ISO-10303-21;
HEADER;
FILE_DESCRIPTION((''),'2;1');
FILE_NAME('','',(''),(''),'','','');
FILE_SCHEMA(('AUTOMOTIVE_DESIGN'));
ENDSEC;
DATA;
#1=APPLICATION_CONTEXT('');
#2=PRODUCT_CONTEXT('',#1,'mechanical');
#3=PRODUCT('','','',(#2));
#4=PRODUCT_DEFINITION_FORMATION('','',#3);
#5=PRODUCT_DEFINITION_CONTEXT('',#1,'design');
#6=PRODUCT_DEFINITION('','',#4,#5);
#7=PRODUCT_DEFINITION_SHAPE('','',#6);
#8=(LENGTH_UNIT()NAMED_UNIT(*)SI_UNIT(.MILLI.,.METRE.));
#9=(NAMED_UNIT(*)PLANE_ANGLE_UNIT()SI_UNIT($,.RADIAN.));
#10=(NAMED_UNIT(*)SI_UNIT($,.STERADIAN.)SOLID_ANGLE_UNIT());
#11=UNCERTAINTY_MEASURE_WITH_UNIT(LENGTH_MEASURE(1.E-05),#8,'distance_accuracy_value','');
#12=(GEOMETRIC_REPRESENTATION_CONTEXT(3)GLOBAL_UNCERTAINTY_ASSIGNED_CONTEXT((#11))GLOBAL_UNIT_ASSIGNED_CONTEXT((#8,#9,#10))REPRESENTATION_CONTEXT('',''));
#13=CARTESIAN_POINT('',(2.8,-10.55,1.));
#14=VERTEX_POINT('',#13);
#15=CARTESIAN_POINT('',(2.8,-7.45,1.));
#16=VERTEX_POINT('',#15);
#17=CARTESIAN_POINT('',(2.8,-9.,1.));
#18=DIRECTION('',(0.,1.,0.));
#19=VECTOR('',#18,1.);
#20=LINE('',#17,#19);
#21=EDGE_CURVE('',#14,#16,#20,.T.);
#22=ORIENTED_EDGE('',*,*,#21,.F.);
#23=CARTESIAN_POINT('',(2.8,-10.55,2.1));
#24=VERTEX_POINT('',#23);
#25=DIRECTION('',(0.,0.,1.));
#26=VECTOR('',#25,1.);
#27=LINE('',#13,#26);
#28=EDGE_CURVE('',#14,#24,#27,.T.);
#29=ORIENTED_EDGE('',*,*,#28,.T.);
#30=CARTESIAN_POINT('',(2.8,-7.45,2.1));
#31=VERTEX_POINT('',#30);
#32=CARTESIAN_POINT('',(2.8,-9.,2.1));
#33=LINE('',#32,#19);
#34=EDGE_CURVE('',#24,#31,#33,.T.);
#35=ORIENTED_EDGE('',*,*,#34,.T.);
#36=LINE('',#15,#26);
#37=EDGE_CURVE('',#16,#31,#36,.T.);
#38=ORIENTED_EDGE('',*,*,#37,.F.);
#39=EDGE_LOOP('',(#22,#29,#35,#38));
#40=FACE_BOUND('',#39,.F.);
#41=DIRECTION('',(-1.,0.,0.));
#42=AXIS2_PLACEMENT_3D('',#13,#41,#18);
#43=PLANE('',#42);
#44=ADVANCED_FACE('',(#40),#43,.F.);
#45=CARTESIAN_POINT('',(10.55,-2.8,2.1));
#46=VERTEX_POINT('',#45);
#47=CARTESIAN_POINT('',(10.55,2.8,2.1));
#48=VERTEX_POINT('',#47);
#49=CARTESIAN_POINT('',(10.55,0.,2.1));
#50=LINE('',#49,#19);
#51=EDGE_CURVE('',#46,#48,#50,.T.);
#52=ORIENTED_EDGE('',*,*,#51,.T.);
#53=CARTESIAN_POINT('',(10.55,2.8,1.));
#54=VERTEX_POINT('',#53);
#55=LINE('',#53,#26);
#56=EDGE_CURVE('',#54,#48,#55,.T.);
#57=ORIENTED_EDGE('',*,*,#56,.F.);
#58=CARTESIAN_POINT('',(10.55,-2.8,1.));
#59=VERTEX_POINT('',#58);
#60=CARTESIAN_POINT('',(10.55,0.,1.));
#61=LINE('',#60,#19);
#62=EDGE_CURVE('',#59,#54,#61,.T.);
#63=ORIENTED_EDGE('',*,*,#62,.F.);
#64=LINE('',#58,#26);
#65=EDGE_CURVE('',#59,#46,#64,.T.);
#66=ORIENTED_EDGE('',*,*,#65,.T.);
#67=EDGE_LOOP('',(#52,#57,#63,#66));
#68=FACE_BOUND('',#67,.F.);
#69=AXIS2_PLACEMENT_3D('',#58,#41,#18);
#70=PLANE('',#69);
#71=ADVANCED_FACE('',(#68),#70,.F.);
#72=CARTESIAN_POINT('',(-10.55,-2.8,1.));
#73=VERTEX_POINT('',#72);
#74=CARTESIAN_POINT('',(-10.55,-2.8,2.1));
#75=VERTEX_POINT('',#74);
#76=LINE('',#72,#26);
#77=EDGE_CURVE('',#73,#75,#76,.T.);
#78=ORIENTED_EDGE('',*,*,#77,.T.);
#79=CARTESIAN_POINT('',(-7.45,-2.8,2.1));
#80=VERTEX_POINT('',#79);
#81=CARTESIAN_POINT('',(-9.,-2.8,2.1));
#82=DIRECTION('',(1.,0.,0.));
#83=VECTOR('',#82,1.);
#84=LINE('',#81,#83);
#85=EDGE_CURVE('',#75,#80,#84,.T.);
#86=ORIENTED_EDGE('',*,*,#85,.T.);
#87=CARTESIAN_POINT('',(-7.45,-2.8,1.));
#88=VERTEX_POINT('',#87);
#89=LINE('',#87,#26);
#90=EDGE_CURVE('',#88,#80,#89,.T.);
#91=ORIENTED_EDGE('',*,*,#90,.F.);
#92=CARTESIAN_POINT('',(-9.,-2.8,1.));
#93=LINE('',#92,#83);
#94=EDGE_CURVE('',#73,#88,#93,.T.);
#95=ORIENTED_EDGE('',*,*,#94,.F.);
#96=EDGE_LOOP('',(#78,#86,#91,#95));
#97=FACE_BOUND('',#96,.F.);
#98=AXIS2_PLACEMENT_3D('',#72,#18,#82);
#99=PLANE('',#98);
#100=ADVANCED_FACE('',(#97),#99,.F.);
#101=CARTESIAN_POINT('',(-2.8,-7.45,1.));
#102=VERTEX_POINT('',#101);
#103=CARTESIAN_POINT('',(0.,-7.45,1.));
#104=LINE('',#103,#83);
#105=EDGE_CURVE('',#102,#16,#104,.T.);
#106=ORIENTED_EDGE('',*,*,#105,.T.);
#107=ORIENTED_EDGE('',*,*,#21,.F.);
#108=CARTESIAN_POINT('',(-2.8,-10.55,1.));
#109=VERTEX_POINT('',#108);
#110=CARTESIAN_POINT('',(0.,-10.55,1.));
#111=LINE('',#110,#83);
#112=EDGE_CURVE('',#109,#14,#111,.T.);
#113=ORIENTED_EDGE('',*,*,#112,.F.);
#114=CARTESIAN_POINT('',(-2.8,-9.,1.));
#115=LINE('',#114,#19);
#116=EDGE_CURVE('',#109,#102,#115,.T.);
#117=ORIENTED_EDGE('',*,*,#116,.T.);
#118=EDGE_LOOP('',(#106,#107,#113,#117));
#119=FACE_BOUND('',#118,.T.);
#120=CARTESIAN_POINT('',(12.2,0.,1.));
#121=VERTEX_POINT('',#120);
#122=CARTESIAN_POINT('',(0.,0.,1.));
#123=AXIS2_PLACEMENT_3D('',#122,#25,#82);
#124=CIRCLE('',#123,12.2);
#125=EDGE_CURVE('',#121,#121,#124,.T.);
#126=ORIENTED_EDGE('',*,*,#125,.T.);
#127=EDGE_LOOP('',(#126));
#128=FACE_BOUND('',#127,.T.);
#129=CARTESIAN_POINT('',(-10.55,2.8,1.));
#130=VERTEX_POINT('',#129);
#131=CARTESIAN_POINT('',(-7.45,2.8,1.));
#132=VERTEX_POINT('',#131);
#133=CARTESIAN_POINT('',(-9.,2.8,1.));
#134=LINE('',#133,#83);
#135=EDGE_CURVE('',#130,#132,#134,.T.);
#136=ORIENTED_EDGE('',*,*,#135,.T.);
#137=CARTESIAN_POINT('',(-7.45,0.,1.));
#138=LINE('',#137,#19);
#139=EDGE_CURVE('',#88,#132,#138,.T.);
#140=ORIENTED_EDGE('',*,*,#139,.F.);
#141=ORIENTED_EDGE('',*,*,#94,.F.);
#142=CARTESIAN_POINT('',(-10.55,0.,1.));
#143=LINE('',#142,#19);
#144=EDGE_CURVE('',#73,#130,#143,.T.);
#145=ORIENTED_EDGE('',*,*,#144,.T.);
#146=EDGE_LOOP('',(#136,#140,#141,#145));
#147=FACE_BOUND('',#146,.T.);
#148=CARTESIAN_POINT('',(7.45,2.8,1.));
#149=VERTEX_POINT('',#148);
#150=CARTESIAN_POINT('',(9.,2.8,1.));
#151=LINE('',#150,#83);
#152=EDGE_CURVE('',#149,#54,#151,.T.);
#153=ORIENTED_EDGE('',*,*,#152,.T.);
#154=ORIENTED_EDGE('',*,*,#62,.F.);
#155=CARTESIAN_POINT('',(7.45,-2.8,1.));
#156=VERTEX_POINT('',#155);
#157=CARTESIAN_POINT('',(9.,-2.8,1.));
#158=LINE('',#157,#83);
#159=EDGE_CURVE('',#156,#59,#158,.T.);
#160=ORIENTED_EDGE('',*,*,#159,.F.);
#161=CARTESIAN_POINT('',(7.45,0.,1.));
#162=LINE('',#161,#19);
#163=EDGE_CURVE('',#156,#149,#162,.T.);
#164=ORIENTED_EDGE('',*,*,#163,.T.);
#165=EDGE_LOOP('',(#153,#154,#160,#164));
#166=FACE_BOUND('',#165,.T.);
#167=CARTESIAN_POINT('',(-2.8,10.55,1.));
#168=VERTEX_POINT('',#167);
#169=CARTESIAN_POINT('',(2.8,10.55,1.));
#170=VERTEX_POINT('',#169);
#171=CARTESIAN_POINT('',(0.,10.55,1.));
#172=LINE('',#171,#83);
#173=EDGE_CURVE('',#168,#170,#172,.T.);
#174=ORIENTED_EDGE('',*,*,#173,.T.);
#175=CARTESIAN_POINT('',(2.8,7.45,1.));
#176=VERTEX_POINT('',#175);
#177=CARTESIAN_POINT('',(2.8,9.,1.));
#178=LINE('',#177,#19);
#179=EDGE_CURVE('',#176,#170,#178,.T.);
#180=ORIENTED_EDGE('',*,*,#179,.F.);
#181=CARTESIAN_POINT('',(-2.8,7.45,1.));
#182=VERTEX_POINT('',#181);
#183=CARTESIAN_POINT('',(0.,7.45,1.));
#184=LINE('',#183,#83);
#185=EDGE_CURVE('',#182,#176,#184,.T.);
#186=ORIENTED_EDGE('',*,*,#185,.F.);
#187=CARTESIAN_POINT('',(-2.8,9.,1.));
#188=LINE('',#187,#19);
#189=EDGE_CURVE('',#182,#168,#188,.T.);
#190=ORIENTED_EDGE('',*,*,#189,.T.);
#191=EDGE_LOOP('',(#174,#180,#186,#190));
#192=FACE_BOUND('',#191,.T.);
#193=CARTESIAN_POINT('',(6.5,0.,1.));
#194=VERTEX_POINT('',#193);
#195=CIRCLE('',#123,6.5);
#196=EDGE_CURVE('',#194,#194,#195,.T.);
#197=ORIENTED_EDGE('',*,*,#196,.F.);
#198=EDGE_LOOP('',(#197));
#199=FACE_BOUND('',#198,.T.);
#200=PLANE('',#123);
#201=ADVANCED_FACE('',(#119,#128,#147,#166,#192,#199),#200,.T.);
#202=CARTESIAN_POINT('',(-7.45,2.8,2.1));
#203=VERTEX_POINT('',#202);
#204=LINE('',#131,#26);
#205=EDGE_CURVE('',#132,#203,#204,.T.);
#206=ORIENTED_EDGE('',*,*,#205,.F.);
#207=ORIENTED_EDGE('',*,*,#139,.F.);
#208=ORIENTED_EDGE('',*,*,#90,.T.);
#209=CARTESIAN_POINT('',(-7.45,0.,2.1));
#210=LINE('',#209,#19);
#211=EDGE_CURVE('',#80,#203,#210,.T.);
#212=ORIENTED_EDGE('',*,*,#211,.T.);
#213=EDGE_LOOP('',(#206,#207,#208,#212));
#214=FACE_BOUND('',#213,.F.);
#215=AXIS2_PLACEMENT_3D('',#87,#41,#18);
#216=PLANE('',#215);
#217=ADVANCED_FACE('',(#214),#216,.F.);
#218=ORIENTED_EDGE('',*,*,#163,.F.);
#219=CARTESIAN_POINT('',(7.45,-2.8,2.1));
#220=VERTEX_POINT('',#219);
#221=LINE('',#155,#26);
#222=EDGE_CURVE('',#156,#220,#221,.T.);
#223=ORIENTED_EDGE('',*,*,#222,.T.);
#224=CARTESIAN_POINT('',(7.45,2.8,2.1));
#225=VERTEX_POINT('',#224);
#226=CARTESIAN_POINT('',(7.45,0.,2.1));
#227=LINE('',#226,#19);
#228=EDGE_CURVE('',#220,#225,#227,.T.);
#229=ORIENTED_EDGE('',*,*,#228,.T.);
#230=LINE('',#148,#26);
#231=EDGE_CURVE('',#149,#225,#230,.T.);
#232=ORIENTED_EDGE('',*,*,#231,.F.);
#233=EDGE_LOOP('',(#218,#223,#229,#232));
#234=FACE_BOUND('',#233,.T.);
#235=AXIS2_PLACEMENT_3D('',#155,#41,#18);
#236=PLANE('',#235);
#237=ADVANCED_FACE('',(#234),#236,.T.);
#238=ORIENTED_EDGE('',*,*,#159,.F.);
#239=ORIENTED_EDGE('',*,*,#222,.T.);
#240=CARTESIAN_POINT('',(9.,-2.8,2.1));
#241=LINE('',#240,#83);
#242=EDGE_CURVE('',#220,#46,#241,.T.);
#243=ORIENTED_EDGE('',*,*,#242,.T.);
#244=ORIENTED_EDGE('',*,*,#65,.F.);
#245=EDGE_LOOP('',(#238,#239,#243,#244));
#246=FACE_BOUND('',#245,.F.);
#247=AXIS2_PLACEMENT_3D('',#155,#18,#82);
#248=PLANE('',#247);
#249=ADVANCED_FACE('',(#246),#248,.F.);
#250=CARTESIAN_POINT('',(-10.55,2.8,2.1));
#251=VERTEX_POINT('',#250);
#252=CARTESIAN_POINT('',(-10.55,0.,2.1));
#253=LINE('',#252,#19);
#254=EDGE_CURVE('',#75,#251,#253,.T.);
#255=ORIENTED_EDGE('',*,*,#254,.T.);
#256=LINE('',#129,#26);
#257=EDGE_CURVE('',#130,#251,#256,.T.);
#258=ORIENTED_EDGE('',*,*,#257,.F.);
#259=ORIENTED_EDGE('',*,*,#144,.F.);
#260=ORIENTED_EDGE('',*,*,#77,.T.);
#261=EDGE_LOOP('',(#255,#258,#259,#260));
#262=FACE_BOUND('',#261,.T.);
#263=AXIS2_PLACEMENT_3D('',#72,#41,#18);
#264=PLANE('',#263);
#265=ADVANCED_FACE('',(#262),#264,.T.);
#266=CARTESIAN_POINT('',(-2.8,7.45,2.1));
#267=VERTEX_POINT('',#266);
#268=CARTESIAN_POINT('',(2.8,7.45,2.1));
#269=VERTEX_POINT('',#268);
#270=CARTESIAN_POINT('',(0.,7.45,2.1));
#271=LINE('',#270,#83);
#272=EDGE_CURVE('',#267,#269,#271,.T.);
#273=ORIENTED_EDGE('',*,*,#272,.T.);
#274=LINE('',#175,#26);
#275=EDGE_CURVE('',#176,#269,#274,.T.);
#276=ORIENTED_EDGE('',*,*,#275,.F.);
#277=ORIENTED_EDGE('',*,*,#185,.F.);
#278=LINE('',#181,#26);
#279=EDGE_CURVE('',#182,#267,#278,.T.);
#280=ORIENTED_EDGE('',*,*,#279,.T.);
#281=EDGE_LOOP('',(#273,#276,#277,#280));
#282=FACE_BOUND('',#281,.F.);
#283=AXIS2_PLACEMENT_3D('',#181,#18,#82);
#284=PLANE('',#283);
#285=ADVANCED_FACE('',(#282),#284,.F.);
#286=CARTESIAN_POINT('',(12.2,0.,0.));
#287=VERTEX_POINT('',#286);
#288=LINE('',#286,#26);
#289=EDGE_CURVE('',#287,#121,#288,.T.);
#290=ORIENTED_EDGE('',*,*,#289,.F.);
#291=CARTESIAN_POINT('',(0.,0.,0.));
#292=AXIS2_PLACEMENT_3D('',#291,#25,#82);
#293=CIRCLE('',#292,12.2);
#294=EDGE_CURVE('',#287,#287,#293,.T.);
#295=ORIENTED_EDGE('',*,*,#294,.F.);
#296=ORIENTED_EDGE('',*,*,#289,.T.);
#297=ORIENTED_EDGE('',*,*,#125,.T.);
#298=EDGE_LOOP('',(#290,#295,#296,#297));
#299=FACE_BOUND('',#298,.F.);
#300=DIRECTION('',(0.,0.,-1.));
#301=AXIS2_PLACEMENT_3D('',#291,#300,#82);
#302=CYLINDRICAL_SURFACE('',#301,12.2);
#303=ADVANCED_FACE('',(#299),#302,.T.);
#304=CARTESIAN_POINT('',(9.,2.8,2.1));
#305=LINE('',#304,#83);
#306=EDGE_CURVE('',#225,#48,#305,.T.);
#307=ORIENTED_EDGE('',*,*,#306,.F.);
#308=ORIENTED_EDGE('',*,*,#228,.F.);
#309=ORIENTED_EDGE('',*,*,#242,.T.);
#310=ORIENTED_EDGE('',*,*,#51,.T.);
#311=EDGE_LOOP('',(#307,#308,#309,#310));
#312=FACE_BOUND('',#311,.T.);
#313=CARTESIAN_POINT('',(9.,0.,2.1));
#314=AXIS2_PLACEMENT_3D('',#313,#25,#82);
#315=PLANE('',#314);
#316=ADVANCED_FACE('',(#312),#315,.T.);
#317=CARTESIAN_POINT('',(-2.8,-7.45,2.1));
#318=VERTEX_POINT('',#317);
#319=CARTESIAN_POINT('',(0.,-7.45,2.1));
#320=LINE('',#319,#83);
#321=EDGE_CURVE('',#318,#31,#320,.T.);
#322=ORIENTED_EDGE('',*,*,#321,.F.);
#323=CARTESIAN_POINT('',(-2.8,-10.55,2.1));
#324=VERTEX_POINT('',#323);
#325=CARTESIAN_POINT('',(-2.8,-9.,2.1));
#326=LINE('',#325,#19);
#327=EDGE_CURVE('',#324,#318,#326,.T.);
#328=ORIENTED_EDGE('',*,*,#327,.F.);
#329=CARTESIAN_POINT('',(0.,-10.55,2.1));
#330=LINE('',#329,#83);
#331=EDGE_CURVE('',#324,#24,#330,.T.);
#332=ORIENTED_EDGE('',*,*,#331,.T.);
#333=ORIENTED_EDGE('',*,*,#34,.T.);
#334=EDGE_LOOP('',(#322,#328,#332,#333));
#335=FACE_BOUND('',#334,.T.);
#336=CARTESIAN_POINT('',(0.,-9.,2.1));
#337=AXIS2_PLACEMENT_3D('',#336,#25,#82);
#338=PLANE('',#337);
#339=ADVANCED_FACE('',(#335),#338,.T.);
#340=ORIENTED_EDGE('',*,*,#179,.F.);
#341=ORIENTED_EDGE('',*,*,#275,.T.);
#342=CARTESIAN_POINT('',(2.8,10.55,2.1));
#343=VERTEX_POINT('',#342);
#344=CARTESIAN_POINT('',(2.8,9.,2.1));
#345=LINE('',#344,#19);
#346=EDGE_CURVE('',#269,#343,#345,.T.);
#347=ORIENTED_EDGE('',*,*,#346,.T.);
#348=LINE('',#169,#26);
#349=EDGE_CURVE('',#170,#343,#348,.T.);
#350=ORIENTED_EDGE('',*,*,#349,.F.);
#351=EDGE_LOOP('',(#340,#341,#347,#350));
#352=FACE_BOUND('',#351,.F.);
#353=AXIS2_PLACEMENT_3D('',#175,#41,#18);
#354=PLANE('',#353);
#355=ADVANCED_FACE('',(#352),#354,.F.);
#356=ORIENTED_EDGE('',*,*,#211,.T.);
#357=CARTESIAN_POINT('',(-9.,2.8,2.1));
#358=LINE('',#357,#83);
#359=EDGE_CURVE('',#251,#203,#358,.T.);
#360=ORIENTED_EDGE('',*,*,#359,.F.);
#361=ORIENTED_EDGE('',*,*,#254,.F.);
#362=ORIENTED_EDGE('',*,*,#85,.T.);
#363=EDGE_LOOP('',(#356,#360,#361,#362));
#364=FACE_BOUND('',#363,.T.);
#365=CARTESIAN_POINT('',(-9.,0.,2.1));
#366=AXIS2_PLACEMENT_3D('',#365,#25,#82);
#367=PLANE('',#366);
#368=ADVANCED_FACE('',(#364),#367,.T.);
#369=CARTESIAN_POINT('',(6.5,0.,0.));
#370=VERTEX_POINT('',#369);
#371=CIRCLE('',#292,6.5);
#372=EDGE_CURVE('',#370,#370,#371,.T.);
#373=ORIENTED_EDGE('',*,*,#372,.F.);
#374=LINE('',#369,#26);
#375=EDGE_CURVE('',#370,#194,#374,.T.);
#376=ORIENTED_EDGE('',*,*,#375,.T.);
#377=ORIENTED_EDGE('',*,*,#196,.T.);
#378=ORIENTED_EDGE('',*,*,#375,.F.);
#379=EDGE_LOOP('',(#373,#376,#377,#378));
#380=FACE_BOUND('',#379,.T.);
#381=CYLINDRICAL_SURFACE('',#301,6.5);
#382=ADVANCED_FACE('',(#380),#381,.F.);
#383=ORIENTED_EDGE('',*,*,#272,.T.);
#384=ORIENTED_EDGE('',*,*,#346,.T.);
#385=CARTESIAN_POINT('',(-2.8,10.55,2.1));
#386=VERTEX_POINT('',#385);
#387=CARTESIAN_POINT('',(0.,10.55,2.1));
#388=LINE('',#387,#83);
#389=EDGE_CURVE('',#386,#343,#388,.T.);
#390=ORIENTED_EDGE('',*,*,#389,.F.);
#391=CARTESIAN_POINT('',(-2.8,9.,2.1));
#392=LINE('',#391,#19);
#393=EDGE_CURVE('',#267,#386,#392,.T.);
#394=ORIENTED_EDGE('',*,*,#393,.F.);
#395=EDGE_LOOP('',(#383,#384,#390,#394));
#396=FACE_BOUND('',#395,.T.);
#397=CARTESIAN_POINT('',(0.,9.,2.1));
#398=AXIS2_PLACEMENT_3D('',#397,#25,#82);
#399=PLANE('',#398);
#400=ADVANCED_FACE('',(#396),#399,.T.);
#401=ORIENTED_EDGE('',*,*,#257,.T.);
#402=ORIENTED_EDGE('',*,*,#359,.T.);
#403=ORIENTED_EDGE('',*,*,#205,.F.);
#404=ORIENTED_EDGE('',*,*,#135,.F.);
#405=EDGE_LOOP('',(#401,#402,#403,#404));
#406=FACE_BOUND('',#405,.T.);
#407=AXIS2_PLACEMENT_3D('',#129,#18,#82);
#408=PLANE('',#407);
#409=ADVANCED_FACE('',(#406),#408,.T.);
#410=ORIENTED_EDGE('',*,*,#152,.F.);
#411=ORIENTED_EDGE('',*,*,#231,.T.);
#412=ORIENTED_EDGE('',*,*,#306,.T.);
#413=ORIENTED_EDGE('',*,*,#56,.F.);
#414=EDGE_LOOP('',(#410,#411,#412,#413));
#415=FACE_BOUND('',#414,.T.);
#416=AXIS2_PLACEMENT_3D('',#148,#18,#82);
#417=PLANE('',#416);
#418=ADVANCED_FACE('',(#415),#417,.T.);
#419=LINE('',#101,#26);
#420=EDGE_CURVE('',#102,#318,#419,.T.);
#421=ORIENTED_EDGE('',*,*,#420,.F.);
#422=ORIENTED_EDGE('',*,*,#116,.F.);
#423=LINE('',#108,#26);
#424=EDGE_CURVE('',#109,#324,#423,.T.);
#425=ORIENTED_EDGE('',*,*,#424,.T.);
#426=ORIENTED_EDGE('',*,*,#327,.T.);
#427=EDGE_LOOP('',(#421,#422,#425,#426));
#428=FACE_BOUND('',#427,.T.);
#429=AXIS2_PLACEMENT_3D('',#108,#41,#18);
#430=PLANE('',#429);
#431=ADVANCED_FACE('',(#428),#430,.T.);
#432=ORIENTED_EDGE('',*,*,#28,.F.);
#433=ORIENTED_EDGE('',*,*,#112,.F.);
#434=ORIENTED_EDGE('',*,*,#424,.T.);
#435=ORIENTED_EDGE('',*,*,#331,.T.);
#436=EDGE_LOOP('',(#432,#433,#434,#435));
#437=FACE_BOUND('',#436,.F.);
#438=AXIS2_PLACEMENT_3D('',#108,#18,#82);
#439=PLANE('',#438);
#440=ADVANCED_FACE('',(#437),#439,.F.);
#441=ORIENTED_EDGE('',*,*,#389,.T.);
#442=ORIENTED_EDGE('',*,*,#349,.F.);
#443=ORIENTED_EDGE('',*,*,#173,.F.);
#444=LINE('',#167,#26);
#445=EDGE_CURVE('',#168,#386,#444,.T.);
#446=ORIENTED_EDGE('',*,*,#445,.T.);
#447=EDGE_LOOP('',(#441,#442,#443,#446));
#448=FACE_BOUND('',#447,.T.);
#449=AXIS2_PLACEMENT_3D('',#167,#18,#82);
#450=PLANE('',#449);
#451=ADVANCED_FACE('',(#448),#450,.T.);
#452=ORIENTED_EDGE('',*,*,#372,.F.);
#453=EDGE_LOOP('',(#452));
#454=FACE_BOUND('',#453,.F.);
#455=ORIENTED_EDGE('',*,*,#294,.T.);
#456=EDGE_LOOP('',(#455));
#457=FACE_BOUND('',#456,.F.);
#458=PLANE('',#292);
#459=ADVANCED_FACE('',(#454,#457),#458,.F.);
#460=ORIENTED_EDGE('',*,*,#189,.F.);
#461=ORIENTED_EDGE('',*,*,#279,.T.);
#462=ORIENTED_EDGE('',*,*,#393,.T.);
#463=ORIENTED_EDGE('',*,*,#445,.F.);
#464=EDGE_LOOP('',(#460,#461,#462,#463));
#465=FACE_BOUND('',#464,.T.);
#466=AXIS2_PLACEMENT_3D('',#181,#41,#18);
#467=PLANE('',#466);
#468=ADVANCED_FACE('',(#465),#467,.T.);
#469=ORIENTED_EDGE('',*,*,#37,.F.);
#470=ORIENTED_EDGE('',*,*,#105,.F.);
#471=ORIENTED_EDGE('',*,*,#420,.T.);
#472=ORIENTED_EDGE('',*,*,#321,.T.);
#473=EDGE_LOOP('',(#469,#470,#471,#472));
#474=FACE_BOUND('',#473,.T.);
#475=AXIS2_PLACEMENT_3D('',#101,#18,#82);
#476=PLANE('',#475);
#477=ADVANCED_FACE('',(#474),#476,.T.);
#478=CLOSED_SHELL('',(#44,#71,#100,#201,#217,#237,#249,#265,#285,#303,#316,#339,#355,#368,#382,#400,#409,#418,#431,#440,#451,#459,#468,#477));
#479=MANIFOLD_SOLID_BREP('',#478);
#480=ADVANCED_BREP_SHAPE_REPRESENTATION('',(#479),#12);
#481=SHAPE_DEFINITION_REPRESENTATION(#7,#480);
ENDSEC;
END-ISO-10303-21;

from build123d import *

# Parameters (mm, degrees)
F0_R     = 12.2
F0_R_2   = 6.5
F1_DEPTH = 1
F3_W     = 5.6
F3_H     = 3.1
F3_W_2   = 3.1
F3_H_2   = 5.6
F4_DEPTH = 1.1


with BuildPart() as f1:
    # F0 (on Top) → F1 (new body)
    with BuildSketch(Plane.XY):
        Circle(F0_R)
        Circle(F0_R_2, mode=Mode.SUBTRACT)
    extrude(amount=F1_DEPTH)

    # F3 (on offset) → F4 (join)
    with BuildSketch(Plane.XY.offset(1)):
        with Locations((0, 9)):
            Rectangle(F3_W, F3_H)
        with Locations((9, 0)):
            Rectangle(F3_W_2, F3_H_2)
        with Locations((0, -9)):
            Rectangle(F3_W, F3_H)
        with Locations((-9, 0)):
            Rectangle(F3_W_2, F3_H_2)
    extrude(amount=F4_DEPTH)


solid = f1.part
